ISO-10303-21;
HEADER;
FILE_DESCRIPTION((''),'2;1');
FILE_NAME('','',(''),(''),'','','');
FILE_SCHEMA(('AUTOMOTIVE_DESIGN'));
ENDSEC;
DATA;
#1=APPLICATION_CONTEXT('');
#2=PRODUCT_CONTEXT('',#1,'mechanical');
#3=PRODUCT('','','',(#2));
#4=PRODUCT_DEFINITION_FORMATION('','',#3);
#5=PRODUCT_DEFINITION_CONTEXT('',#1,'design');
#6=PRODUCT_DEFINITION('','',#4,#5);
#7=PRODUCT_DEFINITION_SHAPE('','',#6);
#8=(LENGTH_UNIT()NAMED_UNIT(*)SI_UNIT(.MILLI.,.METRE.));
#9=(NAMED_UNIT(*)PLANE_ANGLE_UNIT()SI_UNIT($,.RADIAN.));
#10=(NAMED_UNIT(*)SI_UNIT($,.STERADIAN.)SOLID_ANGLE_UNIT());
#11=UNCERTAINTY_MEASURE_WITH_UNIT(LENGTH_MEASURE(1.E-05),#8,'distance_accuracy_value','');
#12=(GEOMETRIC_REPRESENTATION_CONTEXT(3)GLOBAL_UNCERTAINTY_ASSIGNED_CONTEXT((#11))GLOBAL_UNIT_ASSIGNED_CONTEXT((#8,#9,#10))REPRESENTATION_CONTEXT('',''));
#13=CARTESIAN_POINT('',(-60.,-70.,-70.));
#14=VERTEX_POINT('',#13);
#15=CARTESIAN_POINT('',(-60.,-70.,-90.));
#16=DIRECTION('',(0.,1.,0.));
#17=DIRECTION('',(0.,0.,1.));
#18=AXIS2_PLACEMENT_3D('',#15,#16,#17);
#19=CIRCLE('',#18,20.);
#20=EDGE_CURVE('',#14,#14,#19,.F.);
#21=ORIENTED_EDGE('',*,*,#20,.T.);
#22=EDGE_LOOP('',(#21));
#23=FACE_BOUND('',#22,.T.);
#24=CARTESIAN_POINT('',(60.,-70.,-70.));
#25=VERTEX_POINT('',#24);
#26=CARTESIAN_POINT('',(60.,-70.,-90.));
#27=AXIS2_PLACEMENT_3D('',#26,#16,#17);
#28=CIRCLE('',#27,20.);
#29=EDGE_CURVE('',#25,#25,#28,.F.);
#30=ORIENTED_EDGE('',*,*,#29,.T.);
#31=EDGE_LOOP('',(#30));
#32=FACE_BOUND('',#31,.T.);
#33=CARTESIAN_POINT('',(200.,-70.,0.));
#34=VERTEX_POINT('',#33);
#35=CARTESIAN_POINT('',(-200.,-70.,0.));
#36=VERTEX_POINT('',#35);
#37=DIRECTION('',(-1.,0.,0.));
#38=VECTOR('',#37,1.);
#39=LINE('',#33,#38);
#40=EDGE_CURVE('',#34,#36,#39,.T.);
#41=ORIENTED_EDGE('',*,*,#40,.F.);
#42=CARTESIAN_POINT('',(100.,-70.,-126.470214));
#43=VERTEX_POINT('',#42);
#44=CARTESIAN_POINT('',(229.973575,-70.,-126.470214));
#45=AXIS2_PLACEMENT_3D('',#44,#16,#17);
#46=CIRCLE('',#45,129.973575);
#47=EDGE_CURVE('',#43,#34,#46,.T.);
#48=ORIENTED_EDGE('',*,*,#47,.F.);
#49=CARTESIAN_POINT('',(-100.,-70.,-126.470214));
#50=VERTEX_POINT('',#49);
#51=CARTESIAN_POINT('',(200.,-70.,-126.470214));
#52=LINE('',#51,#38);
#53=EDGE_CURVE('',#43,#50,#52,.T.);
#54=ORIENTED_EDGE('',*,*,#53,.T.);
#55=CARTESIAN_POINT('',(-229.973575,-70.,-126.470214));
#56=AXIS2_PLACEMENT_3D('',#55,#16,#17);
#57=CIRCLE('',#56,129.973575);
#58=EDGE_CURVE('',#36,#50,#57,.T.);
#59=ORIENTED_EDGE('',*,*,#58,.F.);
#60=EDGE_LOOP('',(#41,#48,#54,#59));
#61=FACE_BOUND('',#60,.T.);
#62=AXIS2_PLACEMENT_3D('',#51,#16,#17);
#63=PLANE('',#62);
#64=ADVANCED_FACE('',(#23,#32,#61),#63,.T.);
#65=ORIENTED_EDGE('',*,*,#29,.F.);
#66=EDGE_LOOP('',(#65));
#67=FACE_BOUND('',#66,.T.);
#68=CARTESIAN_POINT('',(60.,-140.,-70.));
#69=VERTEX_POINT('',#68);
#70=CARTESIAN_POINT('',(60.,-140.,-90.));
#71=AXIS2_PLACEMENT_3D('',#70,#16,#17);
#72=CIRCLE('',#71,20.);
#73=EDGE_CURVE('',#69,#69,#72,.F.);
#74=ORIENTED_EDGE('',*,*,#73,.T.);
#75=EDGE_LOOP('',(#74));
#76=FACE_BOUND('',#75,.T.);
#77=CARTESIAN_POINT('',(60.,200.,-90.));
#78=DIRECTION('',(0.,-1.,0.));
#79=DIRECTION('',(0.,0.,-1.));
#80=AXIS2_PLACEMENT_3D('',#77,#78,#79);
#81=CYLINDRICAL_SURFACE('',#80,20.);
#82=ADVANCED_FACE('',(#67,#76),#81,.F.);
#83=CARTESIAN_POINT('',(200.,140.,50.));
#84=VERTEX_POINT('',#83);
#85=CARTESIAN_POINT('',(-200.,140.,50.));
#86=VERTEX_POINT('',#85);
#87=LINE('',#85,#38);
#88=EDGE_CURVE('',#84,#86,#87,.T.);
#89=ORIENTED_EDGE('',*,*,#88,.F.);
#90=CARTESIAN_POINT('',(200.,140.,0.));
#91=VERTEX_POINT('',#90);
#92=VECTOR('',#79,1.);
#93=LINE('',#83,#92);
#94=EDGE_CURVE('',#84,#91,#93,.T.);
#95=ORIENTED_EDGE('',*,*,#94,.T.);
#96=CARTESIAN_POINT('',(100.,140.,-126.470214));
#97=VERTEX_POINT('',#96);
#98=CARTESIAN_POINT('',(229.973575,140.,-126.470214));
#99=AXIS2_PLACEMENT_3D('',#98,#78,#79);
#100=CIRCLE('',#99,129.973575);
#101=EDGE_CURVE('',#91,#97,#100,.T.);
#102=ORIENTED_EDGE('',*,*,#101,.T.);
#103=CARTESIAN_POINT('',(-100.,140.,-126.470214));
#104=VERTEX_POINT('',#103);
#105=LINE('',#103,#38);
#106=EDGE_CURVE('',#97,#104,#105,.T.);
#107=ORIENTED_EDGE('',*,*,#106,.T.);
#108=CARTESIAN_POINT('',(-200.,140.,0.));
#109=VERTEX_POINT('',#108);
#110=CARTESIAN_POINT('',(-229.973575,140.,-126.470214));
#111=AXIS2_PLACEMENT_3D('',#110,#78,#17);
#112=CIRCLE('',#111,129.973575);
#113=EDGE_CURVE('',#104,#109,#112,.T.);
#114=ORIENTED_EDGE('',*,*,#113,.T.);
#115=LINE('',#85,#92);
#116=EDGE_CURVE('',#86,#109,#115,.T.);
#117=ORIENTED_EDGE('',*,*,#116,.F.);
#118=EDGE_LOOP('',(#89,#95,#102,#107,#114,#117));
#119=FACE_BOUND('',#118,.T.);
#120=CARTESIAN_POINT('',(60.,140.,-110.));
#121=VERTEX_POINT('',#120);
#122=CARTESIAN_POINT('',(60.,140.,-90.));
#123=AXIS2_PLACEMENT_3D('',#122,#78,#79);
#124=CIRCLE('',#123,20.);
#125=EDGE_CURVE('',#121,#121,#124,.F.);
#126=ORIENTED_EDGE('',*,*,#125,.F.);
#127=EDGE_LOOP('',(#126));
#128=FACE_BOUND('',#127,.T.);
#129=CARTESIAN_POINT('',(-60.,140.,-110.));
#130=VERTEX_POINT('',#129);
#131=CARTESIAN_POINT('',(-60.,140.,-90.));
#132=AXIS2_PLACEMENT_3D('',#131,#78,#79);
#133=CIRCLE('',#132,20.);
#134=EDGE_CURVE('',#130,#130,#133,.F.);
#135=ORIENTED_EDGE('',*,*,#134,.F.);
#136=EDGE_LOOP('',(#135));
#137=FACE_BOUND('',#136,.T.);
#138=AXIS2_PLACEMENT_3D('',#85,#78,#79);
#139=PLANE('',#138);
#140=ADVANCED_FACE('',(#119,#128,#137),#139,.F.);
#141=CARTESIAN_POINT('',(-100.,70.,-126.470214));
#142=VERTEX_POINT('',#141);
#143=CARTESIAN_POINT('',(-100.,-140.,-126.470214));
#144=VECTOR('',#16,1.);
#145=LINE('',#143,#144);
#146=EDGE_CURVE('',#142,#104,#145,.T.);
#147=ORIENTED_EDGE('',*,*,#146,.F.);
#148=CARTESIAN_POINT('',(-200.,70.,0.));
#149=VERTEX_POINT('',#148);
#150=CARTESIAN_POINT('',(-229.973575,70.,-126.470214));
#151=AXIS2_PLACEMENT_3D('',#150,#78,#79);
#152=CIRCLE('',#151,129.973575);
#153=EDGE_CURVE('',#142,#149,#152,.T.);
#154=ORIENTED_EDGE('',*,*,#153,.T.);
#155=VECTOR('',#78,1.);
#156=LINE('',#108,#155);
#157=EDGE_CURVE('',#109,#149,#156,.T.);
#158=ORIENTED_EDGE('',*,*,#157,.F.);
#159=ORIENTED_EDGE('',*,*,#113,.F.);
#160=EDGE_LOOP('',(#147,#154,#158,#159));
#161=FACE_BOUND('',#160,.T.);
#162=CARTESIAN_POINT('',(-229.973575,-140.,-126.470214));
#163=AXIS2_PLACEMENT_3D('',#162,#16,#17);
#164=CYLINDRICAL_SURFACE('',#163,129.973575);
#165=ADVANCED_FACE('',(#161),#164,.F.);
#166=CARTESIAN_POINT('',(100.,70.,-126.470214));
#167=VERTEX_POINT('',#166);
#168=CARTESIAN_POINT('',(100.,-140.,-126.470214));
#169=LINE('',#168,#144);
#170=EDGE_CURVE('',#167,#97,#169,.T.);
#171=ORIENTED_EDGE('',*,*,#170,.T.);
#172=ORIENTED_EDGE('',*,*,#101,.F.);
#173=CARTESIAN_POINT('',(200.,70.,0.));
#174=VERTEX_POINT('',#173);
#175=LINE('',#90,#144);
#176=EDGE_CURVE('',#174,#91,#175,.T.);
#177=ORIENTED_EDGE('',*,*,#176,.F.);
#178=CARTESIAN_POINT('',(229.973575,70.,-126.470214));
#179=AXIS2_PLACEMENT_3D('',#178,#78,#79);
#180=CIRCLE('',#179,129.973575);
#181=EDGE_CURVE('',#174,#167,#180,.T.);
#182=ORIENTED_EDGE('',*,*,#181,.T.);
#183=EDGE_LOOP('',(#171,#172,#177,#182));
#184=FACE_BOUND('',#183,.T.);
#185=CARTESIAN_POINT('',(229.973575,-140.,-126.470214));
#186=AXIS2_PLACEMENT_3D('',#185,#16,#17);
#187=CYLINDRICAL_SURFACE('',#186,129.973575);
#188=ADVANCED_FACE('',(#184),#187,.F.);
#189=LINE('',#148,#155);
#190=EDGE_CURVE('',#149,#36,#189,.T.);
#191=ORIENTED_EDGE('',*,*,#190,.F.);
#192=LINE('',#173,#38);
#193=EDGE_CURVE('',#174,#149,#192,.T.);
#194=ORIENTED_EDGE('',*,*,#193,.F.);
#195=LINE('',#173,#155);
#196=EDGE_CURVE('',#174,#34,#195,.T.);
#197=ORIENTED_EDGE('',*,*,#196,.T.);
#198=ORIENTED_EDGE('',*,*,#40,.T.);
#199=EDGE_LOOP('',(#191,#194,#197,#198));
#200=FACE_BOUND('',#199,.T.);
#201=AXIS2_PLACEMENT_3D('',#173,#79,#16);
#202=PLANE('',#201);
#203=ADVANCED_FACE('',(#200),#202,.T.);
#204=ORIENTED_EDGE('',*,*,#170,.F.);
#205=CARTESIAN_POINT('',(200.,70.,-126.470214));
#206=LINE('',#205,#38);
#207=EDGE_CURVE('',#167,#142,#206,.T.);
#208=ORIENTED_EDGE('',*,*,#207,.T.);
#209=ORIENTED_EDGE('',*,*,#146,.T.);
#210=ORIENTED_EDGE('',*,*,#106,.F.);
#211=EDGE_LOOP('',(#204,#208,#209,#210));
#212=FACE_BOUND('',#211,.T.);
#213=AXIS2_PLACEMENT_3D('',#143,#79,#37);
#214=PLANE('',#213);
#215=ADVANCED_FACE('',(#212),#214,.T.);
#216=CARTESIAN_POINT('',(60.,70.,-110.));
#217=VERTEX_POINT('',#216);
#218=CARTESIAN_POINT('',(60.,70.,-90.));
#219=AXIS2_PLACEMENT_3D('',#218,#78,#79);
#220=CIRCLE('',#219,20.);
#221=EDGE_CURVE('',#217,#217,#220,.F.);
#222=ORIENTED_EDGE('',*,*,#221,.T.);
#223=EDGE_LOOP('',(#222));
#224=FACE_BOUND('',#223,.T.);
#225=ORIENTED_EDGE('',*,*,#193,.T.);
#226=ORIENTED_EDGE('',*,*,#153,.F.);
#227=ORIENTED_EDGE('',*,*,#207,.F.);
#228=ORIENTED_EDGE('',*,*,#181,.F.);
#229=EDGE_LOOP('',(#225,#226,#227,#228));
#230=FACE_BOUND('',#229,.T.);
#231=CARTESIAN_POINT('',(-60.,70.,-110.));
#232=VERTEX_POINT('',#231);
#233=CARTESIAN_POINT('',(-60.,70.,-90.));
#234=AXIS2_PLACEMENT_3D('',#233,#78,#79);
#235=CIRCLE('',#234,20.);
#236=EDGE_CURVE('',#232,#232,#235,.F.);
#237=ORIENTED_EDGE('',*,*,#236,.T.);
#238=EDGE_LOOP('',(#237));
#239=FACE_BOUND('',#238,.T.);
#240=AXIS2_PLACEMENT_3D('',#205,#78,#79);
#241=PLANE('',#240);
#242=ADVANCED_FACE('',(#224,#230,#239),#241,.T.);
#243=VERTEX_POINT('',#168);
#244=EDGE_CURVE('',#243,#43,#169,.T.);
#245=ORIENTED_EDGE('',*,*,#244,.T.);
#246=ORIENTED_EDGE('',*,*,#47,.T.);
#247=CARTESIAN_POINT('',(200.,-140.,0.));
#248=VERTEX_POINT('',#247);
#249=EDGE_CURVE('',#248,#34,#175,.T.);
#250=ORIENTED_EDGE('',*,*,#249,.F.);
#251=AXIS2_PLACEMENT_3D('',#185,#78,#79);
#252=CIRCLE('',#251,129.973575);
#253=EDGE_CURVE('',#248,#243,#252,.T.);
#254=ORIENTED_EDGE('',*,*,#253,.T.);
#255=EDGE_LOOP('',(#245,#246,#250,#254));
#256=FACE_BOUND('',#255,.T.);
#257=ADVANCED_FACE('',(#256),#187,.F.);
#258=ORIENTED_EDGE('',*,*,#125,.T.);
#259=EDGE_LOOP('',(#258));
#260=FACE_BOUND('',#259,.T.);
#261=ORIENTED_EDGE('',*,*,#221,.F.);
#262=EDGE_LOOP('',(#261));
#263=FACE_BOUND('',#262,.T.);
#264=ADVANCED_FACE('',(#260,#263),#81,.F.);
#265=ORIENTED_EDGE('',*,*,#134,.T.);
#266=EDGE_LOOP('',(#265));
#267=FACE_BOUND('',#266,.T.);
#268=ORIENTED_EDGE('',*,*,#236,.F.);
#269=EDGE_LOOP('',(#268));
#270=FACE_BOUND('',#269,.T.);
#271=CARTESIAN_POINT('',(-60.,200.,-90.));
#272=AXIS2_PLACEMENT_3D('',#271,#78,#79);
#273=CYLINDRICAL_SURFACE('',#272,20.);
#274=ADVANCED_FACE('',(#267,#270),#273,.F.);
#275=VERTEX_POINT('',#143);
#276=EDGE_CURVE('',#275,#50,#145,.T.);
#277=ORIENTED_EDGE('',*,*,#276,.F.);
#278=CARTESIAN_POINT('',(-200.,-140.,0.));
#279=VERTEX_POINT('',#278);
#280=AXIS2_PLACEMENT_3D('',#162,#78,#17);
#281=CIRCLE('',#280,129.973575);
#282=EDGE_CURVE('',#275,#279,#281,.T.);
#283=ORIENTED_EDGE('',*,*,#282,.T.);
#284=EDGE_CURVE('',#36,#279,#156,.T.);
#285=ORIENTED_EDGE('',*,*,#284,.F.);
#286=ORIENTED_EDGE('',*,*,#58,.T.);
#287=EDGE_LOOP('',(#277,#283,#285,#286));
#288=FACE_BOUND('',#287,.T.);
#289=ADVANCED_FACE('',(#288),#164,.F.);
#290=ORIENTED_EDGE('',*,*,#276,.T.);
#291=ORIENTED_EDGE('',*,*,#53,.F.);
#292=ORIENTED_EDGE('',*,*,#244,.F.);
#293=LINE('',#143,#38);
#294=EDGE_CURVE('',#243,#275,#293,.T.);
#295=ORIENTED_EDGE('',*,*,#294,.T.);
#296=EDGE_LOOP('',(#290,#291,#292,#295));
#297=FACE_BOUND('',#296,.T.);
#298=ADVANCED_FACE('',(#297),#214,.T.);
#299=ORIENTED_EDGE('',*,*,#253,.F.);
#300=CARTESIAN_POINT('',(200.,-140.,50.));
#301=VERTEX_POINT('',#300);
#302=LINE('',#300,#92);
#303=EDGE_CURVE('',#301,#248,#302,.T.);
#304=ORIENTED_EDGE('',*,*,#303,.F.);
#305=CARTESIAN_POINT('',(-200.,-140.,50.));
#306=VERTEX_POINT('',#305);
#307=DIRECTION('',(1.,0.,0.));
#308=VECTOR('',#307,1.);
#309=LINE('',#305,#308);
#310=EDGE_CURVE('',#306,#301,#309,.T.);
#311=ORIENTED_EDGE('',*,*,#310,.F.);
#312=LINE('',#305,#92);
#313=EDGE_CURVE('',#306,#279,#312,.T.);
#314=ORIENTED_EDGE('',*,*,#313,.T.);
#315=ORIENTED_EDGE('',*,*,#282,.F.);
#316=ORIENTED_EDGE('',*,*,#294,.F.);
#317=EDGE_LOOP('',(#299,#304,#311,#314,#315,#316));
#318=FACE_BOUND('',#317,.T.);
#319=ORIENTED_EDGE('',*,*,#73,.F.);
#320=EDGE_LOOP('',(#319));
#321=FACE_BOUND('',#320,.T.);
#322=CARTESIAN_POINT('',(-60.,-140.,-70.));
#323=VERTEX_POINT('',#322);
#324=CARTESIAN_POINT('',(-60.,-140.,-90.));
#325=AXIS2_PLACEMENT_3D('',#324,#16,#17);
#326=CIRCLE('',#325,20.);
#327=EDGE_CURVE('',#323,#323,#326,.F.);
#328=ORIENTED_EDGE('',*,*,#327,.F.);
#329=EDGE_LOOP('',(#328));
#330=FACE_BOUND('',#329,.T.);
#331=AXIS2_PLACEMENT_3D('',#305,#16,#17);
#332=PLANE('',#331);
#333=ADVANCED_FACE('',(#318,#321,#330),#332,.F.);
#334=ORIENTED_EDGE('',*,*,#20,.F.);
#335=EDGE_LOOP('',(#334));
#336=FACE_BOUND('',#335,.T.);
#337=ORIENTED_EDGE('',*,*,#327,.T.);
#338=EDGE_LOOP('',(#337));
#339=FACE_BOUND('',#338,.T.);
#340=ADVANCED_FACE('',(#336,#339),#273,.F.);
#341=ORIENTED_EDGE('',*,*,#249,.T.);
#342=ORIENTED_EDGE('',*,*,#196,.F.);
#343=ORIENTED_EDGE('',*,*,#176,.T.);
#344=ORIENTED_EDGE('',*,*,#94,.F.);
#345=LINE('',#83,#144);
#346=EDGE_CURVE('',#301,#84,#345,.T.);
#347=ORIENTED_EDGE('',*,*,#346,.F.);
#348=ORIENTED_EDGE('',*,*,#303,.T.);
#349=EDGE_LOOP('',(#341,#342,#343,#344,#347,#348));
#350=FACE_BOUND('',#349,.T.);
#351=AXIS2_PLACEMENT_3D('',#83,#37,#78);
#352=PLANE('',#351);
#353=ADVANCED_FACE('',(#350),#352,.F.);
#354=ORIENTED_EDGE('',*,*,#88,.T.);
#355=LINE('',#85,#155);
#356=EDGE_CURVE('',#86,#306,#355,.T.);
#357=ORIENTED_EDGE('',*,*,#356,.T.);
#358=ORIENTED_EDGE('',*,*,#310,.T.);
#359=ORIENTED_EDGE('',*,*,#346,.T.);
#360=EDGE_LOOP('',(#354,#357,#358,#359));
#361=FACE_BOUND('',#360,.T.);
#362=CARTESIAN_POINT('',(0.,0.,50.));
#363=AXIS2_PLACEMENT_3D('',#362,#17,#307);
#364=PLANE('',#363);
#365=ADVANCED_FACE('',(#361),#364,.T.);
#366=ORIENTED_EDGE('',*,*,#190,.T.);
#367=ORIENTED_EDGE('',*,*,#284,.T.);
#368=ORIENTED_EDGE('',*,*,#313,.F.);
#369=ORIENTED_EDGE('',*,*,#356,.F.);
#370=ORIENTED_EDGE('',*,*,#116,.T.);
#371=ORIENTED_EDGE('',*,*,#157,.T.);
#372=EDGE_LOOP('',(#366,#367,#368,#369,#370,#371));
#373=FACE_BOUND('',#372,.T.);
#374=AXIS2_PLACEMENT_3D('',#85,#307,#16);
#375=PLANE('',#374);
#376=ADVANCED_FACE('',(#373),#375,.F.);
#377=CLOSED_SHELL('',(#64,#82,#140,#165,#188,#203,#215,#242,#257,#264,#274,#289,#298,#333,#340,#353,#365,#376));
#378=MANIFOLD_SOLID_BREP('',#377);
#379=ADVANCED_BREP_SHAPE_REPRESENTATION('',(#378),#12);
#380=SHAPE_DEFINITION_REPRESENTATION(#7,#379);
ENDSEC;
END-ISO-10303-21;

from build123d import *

# Parameters (mm, degrees)
SKETCH2_W                = 400
SKETCH2_H                = 280
BOSS_EXTRUDE1_DEPTH      = 50
BOSS_EXTRUDE2_DEPTH      = 140
BOSS_EXTRUDE2_DEPTH_BACK = 140
CUT_EXTRUDE1_DEPTH       = 200
CUT_EXTRUDE1_DEPTH_BACK  = 200
SKETCH5_W                = 126.470213754
SKETCH5_H                = 140
CUT_EXTRUDE2_DEPTH       = 200
CUT_EXTRUDE2_DEPTH_BACK  = 200
SKETCH6_R                = 20


with BuildPart() as part:
    # Sketch2 → Boss-Extrude1 (new body)
    with BuildSketch(Plane.XY):
        Rectangle(SKETCH2_W, SKETCH2_H)
    extrude(amount=BOSS_EXTRUDE1_DEPTH)

    # Sketch4 → Boss-Extrude2 (add, two sides: drawn at the far end of the back side and taken through both)
    with BuildSketch(Plane(origin=(0, 0, 0), x_dir=(1, 0, 0), z_dir=(0, 1, 0)).offset(-BOSS_EXTRUDE2_DEPTH_BACK)):
        with BuildLine():
            Line((-100, 126.470213754), (100, 126.470213754))
            ThreePointArc((100, 126.470213754), (128.020392375, 45.855830783), (200, 0))
            Line((200, 0), (100, 0))
            Line((100, 0), (-100, 0))
            Line((-100, 0), (-200, 0))
            ThreePointArc((-200, 0), (-128.020392375, 45.855830783), (-100, 126.470213754))
        make_face()
    extrude(amount=BOSS_EXTRUDE2_DEPTH + BOSS_EXTRUDE2_DEPTH_BACK)

    # Sketch5 → Cut-Extrude1 (cut, two sides: drawn at the far end of the back side and taken through both)
    with BuildSketch(Plane(origin=(0, 0, 0), x_dir=(0, 0, -1), z_dir=(1, 0, 0)).offset(-CUT_EXTRUDE1_DEPTH_BACK)):
        with Locations((63.235106877, 0)):
            Rectangle(SKETCH5_W, SKETCH5_H)
    extrude(amount=CUT_EXTRUDE1_DEPTH + CUT_EXTRUDE1_DEPTH_BACK, mode=Mode.SUBTRACT)

    # Sketch6 → Cut-Extrude2 (cut, two sides: drawn at the far end of the back side and taken through both)
    with BuildSketch(Plane(origin=(0, 0, 0), x_dir=(1, 0, 0), z_dir=(0, 1, 0)).offset(-CUT_EXTRUDE2_DEPTH_BACK)):
        with Locations(Location((-60, 90, 0), (0, 0, 270))):
            Circle(SKETCH6_R)
        with Locations(Location((60, 90, 0), (0, 0, 270))):
            Circle(SKETCH6_R)
    extrude(amount=CUT_EXTRUDE2_DEPTH + CUT_EXTRUDE2_DEPTH_BACK, mode=Mode.SUBTRACT)


solid = part.part
